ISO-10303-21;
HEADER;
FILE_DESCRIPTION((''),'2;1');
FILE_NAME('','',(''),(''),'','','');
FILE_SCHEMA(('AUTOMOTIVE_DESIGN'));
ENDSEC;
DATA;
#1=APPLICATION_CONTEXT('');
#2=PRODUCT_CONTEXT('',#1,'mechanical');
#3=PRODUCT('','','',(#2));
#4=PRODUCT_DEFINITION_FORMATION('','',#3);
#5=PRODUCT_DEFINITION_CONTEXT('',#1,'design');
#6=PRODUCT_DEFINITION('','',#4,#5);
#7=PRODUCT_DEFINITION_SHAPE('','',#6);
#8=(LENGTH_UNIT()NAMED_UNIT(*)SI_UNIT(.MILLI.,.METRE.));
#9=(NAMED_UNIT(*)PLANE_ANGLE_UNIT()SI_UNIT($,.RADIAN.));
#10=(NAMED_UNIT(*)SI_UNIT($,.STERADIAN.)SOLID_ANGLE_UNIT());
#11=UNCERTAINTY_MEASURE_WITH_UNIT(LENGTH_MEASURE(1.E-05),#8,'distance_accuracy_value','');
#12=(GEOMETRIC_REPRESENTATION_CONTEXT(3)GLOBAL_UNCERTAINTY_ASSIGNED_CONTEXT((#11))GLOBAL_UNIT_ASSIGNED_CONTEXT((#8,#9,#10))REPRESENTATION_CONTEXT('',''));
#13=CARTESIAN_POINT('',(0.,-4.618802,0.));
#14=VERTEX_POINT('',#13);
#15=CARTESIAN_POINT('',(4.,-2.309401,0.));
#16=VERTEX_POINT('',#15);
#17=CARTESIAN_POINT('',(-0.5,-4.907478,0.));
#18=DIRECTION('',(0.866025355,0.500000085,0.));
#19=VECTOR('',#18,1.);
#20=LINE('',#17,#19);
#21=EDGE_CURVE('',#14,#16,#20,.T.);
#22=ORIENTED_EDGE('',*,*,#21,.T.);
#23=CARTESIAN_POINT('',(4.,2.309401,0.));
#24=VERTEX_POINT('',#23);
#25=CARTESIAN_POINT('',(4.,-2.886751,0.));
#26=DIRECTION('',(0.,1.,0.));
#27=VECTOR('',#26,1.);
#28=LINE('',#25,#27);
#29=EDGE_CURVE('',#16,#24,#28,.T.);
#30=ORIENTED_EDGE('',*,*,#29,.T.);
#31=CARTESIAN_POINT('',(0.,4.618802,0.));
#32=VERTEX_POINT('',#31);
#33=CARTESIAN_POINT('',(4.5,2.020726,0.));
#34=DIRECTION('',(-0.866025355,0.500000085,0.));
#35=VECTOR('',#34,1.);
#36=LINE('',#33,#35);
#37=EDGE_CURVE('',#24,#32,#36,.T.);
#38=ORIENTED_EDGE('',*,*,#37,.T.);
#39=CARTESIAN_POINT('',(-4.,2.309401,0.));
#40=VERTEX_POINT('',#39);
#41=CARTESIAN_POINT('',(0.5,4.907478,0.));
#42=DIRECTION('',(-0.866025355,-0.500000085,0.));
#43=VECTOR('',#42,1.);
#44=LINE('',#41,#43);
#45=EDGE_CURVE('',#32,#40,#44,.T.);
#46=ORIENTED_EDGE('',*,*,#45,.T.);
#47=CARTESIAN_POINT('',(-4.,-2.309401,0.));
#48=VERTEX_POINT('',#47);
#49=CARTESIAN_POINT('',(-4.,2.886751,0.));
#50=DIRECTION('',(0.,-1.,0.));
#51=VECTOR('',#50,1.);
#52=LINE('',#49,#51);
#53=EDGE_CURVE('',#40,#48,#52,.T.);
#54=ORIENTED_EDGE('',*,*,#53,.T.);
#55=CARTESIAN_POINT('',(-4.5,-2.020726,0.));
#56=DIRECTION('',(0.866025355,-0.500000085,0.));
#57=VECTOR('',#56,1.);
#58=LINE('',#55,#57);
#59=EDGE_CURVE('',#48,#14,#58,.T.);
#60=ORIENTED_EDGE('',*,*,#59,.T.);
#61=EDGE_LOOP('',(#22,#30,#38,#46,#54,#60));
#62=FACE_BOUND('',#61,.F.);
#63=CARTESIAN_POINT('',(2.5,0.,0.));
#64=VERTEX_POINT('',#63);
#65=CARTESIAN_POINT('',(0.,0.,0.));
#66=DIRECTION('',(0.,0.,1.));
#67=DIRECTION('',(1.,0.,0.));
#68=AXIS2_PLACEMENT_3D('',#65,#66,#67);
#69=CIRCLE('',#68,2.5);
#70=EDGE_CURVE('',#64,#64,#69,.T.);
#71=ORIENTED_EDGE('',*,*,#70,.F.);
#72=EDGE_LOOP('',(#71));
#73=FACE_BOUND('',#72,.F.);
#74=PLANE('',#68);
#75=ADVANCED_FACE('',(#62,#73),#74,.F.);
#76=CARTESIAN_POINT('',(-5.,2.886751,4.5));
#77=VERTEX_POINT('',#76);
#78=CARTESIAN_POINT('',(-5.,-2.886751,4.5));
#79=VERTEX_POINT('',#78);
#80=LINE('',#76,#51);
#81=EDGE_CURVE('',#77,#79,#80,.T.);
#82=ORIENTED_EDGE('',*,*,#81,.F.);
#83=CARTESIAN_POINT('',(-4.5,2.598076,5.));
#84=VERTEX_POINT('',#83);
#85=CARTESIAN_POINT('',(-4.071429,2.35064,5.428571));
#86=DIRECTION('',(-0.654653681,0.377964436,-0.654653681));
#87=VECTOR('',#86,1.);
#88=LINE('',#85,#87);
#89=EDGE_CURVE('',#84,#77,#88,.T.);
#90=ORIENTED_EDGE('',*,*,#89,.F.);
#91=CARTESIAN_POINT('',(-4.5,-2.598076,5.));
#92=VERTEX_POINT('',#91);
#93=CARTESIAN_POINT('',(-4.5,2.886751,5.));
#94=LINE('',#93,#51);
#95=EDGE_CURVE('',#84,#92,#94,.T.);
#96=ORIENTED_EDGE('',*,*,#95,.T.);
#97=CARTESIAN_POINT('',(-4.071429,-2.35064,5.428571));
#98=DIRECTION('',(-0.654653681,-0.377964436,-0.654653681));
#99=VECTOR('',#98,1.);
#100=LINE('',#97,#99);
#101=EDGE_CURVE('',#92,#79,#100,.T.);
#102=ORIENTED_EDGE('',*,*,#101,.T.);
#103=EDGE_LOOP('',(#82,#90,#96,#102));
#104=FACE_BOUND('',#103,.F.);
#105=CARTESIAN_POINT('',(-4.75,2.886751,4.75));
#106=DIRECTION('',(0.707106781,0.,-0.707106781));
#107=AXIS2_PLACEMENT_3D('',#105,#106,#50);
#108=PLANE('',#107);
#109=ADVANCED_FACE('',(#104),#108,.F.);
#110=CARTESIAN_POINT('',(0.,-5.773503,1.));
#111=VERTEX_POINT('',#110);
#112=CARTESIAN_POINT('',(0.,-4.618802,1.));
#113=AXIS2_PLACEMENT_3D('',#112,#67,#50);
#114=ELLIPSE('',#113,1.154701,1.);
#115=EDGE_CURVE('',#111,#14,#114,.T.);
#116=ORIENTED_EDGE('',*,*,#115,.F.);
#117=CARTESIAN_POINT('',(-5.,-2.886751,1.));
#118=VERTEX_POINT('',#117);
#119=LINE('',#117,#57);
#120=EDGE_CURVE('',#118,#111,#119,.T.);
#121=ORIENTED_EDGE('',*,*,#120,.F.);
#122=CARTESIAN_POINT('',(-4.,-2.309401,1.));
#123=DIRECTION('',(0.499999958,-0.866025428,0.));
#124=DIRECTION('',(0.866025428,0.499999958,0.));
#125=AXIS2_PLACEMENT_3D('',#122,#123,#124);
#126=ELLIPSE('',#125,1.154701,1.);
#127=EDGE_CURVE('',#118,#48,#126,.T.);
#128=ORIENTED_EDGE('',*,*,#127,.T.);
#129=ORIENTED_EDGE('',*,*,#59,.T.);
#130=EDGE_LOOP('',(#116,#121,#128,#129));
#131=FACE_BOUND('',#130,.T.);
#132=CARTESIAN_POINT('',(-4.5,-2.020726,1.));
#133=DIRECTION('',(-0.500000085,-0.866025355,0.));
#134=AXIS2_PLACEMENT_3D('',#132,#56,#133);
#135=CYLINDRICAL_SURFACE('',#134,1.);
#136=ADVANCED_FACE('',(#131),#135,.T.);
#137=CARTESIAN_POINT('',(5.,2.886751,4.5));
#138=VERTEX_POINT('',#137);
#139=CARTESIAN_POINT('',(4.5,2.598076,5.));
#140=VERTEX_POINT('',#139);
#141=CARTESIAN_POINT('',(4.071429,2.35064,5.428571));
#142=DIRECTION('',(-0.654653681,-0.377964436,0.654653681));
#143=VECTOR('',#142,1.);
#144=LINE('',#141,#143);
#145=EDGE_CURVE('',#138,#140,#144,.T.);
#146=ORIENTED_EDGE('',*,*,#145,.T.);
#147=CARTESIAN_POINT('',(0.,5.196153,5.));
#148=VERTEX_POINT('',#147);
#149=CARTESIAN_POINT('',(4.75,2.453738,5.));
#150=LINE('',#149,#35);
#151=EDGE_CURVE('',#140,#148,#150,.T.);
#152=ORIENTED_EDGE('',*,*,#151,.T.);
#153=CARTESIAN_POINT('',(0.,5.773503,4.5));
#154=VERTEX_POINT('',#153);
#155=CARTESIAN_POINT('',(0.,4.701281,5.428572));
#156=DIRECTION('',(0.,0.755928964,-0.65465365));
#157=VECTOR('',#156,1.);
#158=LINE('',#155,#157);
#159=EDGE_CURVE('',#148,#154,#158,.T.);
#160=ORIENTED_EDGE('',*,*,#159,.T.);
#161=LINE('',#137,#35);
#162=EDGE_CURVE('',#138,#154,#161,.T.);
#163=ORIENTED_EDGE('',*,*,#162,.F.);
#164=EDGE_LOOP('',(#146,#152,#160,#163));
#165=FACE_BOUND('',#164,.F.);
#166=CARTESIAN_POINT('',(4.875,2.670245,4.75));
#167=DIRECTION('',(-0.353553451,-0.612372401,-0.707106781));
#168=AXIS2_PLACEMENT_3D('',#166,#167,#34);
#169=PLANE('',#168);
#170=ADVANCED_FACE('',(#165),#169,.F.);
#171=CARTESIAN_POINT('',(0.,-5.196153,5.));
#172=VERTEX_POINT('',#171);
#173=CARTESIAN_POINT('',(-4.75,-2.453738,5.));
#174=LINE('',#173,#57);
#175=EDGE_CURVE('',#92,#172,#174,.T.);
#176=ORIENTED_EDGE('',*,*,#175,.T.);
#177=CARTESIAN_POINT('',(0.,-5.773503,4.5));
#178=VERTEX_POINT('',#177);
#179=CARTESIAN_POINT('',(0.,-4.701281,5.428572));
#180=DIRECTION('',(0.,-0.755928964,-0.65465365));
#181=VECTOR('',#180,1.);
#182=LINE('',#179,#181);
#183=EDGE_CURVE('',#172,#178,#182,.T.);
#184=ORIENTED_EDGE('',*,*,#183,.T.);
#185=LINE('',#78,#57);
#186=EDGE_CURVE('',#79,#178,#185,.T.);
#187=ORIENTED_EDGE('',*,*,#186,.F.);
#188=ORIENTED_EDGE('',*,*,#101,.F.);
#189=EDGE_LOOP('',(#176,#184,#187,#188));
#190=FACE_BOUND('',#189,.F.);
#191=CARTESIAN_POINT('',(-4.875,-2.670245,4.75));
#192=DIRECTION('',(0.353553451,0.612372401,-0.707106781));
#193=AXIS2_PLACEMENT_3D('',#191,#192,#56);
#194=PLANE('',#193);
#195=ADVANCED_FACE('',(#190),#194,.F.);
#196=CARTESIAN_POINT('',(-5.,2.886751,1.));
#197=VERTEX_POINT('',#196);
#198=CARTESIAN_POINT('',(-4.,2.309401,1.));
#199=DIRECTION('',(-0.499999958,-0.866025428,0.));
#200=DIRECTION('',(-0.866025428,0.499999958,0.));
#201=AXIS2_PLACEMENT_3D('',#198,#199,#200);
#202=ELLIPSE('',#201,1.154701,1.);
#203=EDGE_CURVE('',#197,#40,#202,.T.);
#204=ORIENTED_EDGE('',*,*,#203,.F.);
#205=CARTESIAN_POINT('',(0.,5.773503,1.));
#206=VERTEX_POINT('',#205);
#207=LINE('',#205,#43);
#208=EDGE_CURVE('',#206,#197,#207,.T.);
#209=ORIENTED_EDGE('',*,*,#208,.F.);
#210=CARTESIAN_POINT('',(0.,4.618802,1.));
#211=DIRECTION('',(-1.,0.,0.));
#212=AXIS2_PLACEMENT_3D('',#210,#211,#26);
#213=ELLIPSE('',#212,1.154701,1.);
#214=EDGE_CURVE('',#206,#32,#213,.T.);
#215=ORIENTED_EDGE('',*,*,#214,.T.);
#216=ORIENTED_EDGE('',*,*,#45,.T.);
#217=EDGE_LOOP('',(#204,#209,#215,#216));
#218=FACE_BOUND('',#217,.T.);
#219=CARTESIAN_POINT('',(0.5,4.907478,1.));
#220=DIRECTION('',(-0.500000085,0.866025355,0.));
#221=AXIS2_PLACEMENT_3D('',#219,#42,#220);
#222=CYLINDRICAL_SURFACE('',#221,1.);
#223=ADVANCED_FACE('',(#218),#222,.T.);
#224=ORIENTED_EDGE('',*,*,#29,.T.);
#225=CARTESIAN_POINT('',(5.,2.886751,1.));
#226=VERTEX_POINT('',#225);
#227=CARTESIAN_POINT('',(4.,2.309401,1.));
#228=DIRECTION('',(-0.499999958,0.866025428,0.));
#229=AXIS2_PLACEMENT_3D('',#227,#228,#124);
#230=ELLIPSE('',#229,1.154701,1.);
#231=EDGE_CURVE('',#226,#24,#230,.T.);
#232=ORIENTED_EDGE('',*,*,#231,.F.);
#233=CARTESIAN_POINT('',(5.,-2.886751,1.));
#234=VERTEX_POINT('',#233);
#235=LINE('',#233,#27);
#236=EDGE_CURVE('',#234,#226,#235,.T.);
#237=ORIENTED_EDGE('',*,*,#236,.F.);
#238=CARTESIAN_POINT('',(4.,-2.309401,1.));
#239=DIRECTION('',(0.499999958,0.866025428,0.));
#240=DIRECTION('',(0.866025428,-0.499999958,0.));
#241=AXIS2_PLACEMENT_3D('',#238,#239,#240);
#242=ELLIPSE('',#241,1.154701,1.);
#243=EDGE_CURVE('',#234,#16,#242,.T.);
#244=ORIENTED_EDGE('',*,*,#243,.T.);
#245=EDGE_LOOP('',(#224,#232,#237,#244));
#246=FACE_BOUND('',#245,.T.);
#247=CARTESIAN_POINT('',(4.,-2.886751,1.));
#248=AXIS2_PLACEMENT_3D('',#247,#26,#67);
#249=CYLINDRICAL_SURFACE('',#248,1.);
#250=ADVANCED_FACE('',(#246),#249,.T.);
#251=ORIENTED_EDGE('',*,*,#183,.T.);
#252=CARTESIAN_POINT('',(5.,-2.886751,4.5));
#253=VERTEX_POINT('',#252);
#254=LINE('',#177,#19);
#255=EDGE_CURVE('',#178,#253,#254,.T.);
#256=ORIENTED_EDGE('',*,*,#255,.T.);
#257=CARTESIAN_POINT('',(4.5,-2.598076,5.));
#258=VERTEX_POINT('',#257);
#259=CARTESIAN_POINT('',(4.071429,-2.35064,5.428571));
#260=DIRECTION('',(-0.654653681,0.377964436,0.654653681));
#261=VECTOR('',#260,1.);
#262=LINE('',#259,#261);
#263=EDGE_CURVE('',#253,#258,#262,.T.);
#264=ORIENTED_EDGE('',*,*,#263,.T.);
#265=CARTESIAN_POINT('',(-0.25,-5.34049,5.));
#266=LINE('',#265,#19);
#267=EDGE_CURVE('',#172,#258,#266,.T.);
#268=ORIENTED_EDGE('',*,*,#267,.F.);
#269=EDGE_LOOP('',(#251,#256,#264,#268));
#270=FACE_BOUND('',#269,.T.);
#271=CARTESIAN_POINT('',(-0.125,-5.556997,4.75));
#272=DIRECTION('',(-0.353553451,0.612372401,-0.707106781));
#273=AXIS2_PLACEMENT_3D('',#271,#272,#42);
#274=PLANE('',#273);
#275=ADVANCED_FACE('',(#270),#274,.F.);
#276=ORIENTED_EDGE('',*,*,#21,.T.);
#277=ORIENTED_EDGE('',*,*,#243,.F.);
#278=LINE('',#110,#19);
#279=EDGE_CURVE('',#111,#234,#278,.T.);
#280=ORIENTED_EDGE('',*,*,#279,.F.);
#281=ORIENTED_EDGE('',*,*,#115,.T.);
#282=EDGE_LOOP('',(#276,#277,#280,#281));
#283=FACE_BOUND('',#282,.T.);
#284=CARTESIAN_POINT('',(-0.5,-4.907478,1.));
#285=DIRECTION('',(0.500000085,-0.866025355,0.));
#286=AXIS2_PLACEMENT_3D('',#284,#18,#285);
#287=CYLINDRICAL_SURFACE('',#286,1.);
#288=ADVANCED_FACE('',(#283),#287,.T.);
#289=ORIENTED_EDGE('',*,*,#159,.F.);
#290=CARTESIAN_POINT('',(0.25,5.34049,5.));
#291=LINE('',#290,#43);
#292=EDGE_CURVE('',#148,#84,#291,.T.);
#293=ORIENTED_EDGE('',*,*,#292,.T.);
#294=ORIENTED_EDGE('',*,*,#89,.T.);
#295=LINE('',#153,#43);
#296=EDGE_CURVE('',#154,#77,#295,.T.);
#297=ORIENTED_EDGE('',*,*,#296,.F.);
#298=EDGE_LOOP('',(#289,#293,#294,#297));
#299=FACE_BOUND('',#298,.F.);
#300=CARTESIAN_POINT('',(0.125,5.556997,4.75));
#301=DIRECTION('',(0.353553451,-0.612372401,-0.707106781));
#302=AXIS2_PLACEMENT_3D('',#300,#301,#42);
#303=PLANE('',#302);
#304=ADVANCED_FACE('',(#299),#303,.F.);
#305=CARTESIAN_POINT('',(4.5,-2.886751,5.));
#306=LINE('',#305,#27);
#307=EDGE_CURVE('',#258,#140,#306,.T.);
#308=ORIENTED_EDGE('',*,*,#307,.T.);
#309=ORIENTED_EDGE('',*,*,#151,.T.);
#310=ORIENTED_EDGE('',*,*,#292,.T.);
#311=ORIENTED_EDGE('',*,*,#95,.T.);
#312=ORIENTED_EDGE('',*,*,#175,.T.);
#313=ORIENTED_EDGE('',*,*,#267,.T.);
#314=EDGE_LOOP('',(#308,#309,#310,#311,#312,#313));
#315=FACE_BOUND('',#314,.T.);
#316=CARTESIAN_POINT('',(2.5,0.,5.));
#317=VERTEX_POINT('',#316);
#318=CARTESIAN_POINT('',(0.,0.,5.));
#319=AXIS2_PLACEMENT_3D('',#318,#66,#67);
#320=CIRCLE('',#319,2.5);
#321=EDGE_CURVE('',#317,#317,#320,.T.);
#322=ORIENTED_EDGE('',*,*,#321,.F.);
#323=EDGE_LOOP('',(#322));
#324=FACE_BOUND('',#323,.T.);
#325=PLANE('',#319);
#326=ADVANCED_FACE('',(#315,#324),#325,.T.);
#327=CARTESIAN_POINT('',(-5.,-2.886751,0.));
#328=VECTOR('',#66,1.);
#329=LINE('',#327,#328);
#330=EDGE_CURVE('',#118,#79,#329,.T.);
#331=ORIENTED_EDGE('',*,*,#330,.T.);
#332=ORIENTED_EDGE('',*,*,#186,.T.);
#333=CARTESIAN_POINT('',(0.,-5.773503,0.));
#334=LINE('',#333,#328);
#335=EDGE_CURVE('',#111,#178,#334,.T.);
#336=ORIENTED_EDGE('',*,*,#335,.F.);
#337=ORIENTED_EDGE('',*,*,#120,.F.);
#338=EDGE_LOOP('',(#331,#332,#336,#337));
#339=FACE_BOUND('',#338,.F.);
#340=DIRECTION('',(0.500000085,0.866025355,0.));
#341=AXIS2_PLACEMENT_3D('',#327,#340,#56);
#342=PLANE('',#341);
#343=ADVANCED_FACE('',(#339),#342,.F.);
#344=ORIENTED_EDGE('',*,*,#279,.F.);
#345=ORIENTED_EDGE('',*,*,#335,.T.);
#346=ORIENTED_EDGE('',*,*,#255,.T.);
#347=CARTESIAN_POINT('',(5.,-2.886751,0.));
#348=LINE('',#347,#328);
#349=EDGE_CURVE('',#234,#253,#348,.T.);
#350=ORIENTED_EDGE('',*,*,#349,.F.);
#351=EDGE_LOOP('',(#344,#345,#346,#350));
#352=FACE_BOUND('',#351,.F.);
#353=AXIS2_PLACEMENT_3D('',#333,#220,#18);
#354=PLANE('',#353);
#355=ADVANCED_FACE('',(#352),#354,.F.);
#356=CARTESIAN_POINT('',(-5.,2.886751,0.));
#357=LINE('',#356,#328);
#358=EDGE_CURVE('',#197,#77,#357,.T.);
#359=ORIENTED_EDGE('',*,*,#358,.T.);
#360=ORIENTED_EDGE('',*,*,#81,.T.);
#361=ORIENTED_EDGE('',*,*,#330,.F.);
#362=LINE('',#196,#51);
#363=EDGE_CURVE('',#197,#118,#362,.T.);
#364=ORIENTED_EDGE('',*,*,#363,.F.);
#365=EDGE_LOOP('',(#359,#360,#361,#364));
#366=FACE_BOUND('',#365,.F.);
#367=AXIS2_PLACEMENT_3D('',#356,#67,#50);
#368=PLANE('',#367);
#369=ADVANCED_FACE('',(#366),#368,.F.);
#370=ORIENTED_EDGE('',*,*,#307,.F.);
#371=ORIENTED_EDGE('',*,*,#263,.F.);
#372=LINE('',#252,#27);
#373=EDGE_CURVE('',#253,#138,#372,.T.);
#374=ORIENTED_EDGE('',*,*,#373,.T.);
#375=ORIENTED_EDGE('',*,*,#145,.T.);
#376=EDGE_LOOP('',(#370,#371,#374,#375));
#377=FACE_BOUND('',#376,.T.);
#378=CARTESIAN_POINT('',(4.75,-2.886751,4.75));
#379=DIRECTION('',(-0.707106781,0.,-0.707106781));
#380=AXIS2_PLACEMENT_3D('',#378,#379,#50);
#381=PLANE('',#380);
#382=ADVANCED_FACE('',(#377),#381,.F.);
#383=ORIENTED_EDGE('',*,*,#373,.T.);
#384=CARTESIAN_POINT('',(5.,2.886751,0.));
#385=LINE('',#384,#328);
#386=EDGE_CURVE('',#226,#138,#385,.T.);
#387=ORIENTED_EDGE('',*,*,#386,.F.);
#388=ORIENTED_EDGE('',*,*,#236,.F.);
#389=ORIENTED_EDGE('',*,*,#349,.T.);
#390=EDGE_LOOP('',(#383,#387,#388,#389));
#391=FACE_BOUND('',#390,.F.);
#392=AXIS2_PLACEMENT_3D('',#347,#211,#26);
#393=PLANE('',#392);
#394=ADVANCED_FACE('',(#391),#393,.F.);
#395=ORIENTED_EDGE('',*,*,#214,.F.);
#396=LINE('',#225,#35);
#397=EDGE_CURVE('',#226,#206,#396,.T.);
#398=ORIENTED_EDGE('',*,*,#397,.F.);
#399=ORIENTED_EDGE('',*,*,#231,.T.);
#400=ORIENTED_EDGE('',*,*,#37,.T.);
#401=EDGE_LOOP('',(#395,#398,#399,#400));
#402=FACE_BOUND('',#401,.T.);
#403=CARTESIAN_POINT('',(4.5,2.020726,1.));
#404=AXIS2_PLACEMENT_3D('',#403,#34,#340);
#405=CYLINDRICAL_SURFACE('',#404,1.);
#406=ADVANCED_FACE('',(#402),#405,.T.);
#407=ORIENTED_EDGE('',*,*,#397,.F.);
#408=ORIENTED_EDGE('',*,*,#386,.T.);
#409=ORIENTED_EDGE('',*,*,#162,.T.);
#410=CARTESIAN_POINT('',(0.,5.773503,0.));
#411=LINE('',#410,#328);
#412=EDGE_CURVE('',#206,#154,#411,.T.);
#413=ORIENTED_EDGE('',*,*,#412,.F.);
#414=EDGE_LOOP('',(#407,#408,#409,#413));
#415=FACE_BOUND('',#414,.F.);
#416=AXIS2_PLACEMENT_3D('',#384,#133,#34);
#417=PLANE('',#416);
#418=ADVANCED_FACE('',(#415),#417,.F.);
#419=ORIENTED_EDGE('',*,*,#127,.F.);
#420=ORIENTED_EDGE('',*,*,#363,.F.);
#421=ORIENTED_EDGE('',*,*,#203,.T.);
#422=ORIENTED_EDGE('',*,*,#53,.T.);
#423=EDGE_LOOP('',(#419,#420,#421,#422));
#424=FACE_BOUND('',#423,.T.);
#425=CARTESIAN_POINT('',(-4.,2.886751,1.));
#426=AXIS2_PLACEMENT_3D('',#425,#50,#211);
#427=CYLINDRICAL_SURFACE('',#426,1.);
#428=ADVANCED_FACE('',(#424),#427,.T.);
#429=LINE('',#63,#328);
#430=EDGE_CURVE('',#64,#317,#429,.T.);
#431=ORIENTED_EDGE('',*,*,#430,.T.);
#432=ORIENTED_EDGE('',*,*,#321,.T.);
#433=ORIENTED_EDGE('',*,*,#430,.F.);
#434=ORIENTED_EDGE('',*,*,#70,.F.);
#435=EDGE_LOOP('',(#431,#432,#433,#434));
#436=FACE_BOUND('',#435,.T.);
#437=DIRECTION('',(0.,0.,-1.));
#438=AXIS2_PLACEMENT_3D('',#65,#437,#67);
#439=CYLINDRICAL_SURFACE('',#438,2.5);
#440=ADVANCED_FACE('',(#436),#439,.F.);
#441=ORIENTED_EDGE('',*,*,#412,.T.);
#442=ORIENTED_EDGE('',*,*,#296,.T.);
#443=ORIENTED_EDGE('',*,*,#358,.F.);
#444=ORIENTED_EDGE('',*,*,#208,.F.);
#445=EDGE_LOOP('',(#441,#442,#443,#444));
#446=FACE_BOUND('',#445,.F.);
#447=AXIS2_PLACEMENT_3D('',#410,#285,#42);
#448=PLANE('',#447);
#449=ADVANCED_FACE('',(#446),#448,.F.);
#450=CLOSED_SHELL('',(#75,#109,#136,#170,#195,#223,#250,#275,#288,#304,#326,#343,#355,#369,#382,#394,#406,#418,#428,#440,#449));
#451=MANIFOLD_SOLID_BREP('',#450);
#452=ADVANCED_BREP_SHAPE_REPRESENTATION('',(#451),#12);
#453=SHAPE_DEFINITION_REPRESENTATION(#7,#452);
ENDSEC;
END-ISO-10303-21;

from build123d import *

# Parameters (mm, degrees)
F0_R     = 2.5
F1_DEPTH = 5
F2_R     = 1
F3_SIZE  = 0.5


with BuildPart() as f1:
    # F0 (on Top) → F1 (new body)
    with BuildSketch(Plane.XY):
        Polygon((5, -2.886751), (5, 2.886751), (0, 5.773503), (-5, 2.886751), (-5, -2.886751), (0, -5.773503), align=None)
        Circle(F0_R, mode=Mode.SUBTRACT)
    extrude(amount=F1_DEPTH)

    # F2
    f2_edges = [f1.edges().sort_by_distance(p)[0] for p in [
        (-2.5, -4.330127, 0),
        (2.5, -4.330127, 0),
        (5, 0, 0),
        (2.5, 4.330127, 0),
        (-2.5, 4.330127, 0),
        (-5, 0, 0),
    ]]
    fillet(f2_edges, radius=F2_R)

    # F3
    f3_edges = [f1.edges().sort_by_distance(p)[0] for p in [
        (-2.5, -4.330127, 5),
        (2.5, -4.330127, 5),
        (5, 0, 5),
        (2.5, 4.330127, 5),
        (-2.5, 4.330127, 5),
        (-5, 0, 5),
    ]]
    chamfer(f3_edges, length=F3_SIZE)


solid = f1.part
